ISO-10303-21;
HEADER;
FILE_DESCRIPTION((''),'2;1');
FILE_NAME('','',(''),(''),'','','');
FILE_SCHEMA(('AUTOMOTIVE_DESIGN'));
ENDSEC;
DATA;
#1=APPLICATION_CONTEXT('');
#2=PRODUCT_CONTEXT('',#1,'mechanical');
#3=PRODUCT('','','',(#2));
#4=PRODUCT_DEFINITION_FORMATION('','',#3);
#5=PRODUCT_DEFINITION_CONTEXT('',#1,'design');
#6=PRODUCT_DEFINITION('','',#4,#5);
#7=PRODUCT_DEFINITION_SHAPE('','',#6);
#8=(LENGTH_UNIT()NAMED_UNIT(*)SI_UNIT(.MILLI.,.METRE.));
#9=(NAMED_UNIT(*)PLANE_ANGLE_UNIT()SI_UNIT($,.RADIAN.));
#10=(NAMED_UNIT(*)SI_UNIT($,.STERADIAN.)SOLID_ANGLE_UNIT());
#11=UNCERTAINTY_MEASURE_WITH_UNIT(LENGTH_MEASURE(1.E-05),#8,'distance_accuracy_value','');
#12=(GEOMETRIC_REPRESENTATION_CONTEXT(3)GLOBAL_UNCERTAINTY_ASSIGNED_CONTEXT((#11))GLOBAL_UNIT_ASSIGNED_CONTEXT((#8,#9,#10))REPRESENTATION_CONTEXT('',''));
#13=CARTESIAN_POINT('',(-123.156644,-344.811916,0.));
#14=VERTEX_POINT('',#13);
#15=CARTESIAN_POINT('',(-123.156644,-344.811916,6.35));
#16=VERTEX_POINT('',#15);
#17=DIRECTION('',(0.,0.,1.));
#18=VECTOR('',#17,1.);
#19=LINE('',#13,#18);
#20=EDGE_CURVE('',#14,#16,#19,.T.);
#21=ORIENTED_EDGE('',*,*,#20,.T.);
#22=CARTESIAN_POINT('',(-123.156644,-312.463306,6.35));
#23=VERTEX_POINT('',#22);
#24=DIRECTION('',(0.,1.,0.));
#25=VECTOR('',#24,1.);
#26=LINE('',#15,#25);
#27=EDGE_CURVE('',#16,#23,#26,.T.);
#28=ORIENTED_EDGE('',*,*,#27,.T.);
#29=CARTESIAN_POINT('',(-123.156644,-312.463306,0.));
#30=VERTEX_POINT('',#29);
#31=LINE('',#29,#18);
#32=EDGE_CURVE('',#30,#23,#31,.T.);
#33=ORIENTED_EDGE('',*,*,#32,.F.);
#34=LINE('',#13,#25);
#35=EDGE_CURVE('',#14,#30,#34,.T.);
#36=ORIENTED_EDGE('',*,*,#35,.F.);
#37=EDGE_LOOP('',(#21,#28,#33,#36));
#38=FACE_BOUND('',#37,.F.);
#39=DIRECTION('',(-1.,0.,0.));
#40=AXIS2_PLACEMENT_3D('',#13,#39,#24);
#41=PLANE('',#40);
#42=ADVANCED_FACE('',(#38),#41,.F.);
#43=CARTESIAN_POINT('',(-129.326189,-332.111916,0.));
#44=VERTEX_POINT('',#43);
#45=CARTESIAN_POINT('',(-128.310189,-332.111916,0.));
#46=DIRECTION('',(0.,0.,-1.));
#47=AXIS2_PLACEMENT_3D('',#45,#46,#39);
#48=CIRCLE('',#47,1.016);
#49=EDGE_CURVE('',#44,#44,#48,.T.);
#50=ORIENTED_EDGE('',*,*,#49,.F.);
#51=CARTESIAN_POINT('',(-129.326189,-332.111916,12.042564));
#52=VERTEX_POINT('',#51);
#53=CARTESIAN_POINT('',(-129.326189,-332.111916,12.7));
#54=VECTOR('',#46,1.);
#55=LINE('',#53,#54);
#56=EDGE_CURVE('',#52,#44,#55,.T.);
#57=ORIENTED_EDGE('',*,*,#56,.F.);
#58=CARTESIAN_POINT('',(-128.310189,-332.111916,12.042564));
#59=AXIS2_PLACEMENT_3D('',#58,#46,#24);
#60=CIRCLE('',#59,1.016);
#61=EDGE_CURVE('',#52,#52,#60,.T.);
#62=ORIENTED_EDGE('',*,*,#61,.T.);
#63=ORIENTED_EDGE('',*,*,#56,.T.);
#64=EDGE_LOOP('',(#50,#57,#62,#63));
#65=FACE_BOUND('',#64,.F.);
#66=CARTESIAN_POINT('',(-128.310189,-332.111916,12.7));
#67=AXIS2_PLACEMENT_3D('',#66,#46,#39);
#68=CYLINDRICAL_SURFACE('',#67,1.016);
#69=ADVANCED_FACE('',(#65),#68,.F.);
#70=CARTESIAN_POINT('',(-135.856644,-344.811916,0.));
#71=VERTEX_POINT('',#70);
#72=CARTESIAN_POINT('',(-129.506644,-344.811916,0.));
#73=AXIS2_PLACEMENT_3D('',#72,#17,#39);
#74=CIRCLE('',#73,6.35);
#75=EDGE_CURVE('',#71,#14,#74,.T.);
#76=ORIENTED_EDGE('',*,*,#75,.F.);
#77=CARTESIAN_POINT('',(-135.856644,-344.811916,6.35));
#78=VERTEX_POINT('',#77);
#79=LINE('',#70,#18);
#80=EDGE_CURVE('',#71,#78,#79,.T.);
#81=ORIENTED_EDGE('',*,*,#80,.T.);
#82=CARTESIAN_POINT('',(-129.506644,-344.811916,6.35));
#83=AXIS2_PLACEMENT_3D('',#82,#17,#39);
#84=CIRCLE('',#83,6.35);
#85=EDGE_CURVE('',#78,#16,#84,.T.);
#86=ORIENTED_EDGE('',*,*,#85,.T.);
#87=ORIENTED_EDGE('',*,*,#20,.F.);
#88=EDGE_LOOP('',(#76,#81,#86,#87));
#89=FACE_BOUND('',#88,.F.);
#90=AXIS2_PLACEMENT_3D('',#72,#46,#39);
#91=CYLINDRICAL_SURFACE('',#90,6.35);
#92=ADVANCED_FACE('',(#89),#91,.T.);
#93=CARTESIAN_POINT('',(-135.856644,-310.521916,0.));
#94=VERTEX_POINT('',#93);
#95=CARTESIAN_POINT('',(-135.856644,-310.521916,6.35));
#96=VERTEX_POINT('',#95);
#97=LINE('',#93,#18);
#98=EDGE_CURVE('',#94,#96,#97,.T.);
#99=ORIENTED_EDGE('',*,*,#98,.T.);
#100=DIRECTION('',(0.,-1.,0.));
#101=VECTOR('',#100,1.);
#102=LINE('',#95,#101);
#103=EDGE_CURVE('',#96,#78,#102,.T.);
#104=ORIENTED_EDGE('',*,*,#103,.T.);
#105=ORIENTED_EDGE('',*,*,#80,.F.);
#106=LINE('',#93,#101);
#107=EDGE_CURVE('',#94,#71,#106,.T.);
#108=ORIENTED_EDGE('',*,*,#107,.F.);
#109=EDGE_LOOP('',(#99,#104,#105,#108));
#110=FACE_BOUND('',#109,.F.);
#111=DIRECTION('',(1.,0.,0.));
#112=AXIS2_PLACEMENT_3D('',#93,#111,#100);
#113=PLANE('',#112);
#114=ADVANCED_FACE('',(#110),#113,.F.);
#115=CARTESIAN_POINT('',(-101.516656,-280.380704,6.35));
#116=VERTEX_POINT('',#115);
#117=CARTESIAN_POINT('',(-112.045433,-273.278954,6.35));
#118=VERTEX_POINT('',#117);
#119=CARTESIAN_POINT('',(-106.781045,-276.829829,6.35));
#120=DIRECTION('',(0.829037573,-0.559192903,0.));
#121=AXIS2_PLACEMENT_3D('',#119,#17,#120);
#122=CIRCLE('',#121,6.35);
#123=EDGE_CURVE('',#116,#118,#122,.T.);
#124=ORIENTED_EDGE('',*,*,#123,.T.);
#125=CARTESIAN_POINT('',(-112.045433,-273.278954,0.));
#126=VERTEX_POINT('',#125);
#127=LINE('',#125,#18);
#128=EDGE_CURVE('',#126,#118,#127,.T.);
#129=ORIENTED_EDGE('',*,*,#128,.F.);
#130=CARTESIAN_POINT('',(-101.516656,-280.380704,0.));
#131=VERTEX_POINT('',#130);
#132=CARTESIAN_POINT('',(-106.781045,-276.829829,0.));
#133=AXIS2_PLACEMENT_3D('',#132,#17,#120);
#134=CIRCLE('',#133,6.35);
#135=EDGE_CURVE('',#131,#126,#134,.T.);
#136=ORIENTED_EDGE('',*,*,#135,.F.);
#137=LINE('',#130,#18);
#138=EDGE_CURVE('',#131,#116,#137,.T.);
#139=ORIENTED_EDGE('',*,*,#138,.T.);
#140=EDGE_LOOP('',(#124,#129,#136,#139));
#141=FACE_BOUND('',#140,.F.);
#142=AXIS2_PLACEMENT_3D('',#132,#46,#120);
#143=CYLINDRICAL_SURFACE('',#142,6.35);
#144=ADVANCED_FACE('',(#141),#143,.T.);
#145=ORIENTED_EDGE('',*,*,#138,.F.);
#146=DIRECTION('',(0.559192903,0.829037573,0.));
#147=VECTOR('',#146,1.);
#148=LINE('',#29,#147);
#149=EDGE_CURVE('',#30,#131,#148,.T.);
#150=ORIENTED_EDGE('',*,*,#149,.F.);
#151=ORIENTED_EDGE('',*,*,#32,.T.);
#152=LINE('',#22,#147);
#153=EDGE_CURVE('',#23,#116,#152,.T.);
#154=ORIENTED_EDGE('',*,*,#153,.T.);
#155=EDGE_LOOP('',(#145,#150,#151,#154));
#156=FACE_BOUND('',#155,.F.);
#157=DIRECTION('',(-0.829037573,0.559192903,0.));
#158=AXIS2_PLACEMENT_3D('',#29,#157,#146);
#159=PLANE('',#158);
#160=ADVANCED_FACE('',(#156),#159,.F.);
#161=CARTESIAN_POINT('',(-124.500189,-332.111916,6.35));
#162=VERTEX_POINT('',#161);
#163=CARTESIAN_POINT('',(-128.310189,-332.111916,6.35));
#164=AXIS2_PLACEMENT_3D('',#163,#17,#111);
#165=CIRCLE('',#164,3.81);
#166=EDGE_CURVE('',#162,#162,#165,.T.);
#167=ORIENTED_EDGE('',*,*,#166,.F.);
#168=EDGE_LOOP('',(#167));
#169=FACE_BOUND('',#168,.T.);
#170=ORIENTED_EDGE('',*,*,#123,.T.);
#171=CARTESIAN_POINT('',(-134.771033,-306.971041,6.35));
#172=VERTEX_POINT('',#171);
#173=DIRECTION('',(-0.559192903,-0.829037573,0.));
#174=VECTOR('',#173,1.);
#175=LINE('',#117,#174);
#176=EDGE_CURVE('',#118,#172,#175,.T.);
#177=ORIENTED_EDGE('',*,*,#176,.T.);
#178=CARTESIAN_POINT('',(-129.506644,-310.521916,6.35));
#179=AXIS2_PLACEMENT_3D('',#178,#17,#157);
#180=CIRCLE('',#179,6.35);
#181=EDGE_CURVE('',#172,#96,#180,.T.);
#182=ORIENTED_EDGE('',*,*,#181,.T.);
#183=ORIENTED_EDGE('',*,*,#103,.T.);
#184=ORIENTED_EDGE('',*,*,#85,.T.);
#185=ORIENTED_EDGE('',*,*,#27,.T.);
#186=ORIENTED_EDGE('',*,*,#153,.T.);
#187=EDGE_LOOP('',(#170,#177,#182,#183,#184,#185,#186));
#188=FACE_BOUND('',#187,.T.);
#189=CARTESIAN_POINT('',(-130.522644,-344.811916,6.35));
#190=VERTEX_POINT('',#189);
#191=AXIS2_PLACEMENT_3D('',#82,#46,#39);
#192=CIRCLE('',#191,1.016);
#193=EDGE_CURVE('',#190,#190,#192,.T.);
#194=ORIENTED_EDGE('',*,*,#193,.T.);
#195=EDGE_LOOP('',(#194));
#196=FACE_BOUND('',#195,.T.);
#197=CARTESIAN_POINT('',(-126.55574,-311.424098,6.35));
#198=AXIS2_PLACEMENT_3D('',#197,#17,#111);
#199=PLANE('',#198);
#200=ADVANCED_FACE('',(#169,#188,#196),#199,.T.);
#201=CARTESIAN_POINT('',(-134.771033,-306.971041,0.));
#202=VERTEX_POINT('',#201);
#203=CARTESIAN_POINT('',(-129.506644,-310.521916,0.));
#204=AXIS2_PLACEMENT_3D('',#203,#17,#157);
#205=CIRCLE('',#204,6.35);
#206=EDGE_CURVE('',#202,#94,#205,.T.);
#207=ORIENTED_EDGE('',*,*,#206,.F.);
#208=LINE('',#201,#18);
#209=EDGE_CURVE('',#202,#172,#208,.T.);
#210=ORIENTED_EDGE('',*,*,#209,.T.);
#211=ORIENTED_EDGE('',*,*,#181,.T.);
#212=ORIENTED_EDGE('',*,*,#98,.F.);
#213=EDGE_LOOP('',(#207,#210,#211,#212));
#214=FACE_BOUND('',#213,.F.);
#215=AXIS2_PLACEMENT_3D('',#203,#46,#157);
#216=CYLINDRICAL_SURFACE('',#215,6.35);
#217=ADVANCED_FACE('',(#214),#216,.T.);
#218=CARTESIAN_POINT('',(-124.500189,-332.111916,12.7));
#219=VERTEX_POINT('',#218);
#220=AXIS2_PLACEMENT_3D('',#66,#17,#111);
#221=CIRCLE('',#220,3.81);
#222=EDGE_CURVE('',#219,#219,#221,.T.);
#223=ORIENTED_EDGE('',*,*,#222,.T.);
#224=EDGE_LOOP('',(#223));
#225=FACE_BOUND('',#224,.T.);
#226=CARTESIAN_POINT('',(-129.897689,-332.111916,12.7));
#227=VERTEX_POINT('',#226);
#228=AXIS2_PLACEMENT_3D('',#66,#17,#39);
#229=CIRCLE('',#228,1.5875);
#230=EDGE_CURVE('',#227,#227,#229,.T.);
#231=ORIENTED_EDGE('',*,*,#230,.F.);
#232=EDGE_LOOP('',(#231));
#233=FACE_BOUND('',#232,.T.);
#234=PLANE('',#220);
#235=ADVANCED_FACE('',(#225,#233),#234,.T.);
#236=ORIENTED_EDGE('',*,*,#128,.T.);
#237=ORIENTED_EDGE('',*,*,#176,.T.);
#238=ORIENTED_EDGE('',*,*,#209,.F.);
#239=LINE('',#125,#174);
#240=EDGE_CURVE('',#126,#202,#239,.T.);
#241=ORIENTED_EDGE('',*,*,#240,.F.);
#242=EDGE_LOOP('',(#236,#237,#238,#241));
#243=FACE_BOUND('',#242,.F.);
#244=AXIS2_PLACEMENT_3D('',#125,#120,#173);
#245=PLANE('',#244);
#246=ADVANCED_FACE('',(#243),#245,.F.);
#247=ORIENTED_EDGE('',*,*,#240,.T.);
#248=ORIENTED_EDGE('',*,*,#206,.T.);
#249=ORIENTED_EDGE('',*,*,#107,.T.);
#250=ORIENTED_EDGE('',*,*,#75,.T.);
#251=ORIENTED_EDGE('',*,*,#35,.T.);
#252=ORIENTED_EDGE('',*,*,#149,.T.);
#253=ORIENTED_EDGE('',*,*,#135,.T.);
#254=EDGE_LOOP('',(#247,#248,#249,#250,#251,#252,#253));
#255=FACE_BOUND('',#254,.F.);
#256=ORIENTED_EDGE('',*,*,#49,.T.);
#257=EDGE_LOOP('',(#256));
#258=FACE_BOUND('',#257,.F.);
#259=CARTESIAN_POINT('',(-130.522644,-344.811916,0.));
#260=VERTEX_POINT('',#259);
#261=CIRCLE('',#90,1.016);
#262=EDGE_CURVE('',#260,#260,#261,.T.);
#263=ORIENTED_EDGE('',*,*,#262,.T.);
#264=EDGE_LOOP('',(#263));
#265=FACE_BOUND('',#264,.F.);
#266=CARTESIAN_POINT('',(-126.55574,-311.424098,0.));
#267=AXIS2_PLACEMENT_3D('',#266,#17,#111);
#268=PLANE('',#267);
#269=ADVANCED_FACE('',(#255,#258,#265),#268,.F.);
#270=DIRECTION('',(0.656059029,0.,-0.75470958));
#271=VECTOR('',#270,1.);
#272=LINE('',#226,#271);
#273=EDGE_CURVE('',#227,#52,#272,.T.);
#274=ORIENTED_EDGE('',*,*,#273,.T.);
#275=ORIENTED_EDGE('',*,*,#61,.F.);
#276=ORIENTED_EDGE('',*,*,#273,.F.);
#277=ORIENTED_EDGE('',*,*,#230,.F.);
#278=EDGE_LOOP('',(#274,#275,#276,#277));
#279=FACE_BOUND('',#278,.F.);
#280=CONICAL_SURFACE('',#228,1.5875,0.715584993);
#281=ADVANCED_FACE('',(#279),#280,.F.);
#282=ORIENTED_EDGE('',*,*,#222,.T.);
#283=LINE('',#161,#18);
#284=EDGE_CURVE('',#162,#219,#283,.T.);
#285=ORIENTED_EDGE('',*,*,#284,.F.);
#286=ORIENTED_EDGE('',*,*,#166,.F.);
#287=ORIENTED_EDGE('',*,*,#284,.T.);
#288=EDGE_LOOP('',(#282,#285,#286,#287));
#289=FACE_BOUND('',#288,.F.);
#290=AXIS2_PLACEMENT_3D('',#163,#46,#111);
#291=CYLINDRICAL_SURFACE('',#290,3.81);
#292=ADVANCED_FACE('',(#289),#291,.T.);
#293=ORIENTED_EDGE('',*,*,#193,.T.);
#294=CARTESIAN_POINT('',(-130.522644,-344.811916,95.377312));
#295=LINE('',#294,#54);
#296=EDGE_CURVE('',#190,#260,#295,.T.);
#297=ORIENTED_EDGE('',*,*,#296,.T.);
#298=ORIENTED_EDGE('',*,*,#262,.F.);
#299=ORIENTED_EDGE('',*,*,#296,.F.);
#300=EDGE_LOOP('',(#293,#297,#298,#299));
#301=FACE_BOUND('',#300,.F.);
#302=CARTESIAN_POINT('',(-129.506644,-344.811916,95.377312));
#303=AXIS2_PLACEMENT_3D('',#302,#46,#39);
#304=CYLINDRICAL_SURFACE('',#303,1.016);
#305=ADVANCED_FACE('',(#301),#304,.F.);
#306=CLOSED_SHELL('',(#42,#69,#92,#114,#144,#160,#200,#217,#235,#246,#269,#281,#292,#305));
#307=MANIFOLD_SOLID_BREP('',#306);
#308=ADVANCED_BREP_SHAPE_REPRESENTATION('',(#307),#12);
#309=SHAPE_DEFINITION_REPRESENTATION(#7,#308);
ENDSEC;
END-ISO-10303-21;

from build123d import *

# Parameters (mm, degrees)
F1_DEPTH       = 6.35
F2_R           = 3.81
F3_DEPTH       = 6.35
F5_D           = 2.032
F5_CSINK_D     = 3.175
F5_CSINK_ANGLE = 82
F7_D           = 2.032


with BuildPart() as f1:
    # F0 (on Top) → F1 (new body)
    with BuildSketch(Plane.XY):
        with BuildLine():
            ThreePointArc((-123.1566441004, -310.5219163513), (-123.8999268858, -307.5407719276), (-125.9557691634, -305.2575277656))
            Line((-125.9557691634, -305.2575277656), (-129.5066441004, -310.5219163513))
            Line((-129.5066441004, -310.5219163513), (-129.5066441004, -316.8719163513))
            ThreePointArc((-129.5066441004, -316.8719163513), (-126.5254996767, -316.128633566), (-124.2422555147, -314.0727912884))
            Line((-124.2422555147, -314.0727912884), (-123.1566441004, -312.4633061786))
            Line((-123.1566441004, -312.4633061786), (-123.1566441004, -310.5219163513))
        make_face()
        with BuildLine():
            Line((-129.5066441004, -310.5219163513), (-125.9557691634, -305.2575277656))
            ThreePointArc((-125.9557691634, -305.2575277656), (-130.7182812211, -304.2885837364), (-134.7710326862, -306.9710414143))
            ThreePointArc((-134.7710326862, -306.9710414143), (-135.5791793008, -308.6653560263), (-135.8566441004, -310.5219163513))
            ThreePointArc((-135.8566441004, -310.5219163513), (-133.996772161, -315.0120444119), (-129.5066441004, -316.8719163513))
            Line((-129.5066441004, -316.8719163513), (-129.5066441004, -310.5219163513))
        make_face()
        with BuildLine():
            ThreePointArc((-134.7710326862, -306.9710414143), (-130.7182812211, -304.2885837364), (-125.9557691634, -305.2575277656))
            ThreePointArc((-125.9557691634, -305.2575277656), (-123.8999268858, -307.5407719276), (-123.1566441004, -310.5219163513))
            Line((-123.1566441004, -310.5219163513), (-123.1566441004, -312.4633061786))
            Line((-123.1566441004, -312.4633061786), (-101.5166559177, -280.3807043397))
            ThreePointArc((-101.5166559177, -280.3807043397), (-103.2301695663, -271.565440817), (-112.0454330891, -273.2789544656))
            Line((-112.0454330891, -273.2789544656), (-134.7710326862, -306.9710414143))
        make_face()
        with BuildLine():
            ThreePointArc((-124.2422555147, -314.0727912884), (-126.5254996767, -316.128633566), (-129.5066441004, -316.8719163513))
            Line((-129.5066441004, -316.8719163513), (-129.5066441004, -325.7619163513))
            ThreePointArc((-129.5066441004, -325.7619163513), (-125.0165160399, -327.6217882908), (-123.1566441004, -332.1119163513))
            Line((-123.1566441004, -332.1119163513), (-123.1566441004, -312.4633061786))
            Line((-123.1566441004, -312.4633061786), (-124.2422555147, -314.0727912884))
        make_face()
        with BuildLine():
            Line((-129.5066441004, -325.7619163513), (-129.5066441004, -316.8719163513))
            ThreePointArc((-129.5066441004, -316.8719163513), (-133.996772161, -315.0120444119), (-135.8566441004, -310.5219163513))
            Line((-135.8566441004, -310.5219163513), (-135.8566441004, -332.1119163513))
            ThreePointArc((-135.8566441004, -332.1119163513), (-133.996772161, -327.6217882908), (-129.5066441004, -325.7619163513))
        make_face()
        with BuildLine():
            ThreePointArc((-123.1566441004, -332.1119163513), (-125.0165160399, -327.6217882908), (-129.5066441004, -325.7619163513))
            Line((-129.5066441004, -325.7619163513), (-129.5066441004, -332.1119163513))
            Line((-129.5066441004, -332.1119163513), (-129.5066441004, -338.4619163513))
            ThreePointArc((-129.5066441004, -338.4619163513), (-125.0165160399, -336.6020444119), (-123.1566441004, -332.1119163513))
        make_face()
        with BuildLine():
            Line((-129.5066441004, -332.1119163513), (-129.5066441004, -325.7619163513))
            ThreePointArc((-129.5066441004, -325.7619163513), (-133.996772161, -327.6217882908), (-135.8566441004, -332.1119163513))
            ThreePointArc((-135.8566441004, -332.1119163513), (-133.996772161, -336.6020444119), (-129.5066441004, -338.4619163513))
            Line((-129.5066441004, -338.4619163513), (-129.5066441004, -332.1119163513))
        make_face()
        with BuildLine():
            ThreePointArc((-129.5066441004, -338.4619163513), (-133.996772161, -336.6020444119), (-135.8566441004, -332.1119163513))
            Line((-135.8566441004, -332.1119163513), (-135.8566441004, -344.8119163513))
            ThreePointArc((-135.8566441004, -344.8119163513), (-129.5066441004, -351.1619163513), (-123.1566441004, -344.8119163513))
            Line((-123.1566441004, -344.8119163513), (-123.1566441004, -332.1119163513))
            ThreePointArc((-123.1566441004, -332.1119163513), (-125.0165160399, -336.6020444119), (-129.5066441004, -338.4619163513))
        make_face()
    extrude(amount=F1_DEPTH)

    # F2 (on face) → F3 (join)
    with BuildSketch(Plane.XY.offset(6.35)):
        with Locations((-128.3101886511, -332.1119163513)):
            Circle(F2_R)
    extrude(amount=F3_DEPTH)

    # F5 (through all)
    with Locations(Plane.XY.offset(12.7)):
        with Locations((-128.3101886511, -332.1119163513)):
            CounterSinkHole(F5_D / 2, F5_CSINK_D / 2, counter_sink_angle=F5_CSINK_ANGLE)

    # F7 (through all)
    with Locations(Plane.XY.offset(6.35)):
        with Locations((-129.5066441004, -344.8119163513)):
            Hole(F7_D / 2)


solid = f1.part
